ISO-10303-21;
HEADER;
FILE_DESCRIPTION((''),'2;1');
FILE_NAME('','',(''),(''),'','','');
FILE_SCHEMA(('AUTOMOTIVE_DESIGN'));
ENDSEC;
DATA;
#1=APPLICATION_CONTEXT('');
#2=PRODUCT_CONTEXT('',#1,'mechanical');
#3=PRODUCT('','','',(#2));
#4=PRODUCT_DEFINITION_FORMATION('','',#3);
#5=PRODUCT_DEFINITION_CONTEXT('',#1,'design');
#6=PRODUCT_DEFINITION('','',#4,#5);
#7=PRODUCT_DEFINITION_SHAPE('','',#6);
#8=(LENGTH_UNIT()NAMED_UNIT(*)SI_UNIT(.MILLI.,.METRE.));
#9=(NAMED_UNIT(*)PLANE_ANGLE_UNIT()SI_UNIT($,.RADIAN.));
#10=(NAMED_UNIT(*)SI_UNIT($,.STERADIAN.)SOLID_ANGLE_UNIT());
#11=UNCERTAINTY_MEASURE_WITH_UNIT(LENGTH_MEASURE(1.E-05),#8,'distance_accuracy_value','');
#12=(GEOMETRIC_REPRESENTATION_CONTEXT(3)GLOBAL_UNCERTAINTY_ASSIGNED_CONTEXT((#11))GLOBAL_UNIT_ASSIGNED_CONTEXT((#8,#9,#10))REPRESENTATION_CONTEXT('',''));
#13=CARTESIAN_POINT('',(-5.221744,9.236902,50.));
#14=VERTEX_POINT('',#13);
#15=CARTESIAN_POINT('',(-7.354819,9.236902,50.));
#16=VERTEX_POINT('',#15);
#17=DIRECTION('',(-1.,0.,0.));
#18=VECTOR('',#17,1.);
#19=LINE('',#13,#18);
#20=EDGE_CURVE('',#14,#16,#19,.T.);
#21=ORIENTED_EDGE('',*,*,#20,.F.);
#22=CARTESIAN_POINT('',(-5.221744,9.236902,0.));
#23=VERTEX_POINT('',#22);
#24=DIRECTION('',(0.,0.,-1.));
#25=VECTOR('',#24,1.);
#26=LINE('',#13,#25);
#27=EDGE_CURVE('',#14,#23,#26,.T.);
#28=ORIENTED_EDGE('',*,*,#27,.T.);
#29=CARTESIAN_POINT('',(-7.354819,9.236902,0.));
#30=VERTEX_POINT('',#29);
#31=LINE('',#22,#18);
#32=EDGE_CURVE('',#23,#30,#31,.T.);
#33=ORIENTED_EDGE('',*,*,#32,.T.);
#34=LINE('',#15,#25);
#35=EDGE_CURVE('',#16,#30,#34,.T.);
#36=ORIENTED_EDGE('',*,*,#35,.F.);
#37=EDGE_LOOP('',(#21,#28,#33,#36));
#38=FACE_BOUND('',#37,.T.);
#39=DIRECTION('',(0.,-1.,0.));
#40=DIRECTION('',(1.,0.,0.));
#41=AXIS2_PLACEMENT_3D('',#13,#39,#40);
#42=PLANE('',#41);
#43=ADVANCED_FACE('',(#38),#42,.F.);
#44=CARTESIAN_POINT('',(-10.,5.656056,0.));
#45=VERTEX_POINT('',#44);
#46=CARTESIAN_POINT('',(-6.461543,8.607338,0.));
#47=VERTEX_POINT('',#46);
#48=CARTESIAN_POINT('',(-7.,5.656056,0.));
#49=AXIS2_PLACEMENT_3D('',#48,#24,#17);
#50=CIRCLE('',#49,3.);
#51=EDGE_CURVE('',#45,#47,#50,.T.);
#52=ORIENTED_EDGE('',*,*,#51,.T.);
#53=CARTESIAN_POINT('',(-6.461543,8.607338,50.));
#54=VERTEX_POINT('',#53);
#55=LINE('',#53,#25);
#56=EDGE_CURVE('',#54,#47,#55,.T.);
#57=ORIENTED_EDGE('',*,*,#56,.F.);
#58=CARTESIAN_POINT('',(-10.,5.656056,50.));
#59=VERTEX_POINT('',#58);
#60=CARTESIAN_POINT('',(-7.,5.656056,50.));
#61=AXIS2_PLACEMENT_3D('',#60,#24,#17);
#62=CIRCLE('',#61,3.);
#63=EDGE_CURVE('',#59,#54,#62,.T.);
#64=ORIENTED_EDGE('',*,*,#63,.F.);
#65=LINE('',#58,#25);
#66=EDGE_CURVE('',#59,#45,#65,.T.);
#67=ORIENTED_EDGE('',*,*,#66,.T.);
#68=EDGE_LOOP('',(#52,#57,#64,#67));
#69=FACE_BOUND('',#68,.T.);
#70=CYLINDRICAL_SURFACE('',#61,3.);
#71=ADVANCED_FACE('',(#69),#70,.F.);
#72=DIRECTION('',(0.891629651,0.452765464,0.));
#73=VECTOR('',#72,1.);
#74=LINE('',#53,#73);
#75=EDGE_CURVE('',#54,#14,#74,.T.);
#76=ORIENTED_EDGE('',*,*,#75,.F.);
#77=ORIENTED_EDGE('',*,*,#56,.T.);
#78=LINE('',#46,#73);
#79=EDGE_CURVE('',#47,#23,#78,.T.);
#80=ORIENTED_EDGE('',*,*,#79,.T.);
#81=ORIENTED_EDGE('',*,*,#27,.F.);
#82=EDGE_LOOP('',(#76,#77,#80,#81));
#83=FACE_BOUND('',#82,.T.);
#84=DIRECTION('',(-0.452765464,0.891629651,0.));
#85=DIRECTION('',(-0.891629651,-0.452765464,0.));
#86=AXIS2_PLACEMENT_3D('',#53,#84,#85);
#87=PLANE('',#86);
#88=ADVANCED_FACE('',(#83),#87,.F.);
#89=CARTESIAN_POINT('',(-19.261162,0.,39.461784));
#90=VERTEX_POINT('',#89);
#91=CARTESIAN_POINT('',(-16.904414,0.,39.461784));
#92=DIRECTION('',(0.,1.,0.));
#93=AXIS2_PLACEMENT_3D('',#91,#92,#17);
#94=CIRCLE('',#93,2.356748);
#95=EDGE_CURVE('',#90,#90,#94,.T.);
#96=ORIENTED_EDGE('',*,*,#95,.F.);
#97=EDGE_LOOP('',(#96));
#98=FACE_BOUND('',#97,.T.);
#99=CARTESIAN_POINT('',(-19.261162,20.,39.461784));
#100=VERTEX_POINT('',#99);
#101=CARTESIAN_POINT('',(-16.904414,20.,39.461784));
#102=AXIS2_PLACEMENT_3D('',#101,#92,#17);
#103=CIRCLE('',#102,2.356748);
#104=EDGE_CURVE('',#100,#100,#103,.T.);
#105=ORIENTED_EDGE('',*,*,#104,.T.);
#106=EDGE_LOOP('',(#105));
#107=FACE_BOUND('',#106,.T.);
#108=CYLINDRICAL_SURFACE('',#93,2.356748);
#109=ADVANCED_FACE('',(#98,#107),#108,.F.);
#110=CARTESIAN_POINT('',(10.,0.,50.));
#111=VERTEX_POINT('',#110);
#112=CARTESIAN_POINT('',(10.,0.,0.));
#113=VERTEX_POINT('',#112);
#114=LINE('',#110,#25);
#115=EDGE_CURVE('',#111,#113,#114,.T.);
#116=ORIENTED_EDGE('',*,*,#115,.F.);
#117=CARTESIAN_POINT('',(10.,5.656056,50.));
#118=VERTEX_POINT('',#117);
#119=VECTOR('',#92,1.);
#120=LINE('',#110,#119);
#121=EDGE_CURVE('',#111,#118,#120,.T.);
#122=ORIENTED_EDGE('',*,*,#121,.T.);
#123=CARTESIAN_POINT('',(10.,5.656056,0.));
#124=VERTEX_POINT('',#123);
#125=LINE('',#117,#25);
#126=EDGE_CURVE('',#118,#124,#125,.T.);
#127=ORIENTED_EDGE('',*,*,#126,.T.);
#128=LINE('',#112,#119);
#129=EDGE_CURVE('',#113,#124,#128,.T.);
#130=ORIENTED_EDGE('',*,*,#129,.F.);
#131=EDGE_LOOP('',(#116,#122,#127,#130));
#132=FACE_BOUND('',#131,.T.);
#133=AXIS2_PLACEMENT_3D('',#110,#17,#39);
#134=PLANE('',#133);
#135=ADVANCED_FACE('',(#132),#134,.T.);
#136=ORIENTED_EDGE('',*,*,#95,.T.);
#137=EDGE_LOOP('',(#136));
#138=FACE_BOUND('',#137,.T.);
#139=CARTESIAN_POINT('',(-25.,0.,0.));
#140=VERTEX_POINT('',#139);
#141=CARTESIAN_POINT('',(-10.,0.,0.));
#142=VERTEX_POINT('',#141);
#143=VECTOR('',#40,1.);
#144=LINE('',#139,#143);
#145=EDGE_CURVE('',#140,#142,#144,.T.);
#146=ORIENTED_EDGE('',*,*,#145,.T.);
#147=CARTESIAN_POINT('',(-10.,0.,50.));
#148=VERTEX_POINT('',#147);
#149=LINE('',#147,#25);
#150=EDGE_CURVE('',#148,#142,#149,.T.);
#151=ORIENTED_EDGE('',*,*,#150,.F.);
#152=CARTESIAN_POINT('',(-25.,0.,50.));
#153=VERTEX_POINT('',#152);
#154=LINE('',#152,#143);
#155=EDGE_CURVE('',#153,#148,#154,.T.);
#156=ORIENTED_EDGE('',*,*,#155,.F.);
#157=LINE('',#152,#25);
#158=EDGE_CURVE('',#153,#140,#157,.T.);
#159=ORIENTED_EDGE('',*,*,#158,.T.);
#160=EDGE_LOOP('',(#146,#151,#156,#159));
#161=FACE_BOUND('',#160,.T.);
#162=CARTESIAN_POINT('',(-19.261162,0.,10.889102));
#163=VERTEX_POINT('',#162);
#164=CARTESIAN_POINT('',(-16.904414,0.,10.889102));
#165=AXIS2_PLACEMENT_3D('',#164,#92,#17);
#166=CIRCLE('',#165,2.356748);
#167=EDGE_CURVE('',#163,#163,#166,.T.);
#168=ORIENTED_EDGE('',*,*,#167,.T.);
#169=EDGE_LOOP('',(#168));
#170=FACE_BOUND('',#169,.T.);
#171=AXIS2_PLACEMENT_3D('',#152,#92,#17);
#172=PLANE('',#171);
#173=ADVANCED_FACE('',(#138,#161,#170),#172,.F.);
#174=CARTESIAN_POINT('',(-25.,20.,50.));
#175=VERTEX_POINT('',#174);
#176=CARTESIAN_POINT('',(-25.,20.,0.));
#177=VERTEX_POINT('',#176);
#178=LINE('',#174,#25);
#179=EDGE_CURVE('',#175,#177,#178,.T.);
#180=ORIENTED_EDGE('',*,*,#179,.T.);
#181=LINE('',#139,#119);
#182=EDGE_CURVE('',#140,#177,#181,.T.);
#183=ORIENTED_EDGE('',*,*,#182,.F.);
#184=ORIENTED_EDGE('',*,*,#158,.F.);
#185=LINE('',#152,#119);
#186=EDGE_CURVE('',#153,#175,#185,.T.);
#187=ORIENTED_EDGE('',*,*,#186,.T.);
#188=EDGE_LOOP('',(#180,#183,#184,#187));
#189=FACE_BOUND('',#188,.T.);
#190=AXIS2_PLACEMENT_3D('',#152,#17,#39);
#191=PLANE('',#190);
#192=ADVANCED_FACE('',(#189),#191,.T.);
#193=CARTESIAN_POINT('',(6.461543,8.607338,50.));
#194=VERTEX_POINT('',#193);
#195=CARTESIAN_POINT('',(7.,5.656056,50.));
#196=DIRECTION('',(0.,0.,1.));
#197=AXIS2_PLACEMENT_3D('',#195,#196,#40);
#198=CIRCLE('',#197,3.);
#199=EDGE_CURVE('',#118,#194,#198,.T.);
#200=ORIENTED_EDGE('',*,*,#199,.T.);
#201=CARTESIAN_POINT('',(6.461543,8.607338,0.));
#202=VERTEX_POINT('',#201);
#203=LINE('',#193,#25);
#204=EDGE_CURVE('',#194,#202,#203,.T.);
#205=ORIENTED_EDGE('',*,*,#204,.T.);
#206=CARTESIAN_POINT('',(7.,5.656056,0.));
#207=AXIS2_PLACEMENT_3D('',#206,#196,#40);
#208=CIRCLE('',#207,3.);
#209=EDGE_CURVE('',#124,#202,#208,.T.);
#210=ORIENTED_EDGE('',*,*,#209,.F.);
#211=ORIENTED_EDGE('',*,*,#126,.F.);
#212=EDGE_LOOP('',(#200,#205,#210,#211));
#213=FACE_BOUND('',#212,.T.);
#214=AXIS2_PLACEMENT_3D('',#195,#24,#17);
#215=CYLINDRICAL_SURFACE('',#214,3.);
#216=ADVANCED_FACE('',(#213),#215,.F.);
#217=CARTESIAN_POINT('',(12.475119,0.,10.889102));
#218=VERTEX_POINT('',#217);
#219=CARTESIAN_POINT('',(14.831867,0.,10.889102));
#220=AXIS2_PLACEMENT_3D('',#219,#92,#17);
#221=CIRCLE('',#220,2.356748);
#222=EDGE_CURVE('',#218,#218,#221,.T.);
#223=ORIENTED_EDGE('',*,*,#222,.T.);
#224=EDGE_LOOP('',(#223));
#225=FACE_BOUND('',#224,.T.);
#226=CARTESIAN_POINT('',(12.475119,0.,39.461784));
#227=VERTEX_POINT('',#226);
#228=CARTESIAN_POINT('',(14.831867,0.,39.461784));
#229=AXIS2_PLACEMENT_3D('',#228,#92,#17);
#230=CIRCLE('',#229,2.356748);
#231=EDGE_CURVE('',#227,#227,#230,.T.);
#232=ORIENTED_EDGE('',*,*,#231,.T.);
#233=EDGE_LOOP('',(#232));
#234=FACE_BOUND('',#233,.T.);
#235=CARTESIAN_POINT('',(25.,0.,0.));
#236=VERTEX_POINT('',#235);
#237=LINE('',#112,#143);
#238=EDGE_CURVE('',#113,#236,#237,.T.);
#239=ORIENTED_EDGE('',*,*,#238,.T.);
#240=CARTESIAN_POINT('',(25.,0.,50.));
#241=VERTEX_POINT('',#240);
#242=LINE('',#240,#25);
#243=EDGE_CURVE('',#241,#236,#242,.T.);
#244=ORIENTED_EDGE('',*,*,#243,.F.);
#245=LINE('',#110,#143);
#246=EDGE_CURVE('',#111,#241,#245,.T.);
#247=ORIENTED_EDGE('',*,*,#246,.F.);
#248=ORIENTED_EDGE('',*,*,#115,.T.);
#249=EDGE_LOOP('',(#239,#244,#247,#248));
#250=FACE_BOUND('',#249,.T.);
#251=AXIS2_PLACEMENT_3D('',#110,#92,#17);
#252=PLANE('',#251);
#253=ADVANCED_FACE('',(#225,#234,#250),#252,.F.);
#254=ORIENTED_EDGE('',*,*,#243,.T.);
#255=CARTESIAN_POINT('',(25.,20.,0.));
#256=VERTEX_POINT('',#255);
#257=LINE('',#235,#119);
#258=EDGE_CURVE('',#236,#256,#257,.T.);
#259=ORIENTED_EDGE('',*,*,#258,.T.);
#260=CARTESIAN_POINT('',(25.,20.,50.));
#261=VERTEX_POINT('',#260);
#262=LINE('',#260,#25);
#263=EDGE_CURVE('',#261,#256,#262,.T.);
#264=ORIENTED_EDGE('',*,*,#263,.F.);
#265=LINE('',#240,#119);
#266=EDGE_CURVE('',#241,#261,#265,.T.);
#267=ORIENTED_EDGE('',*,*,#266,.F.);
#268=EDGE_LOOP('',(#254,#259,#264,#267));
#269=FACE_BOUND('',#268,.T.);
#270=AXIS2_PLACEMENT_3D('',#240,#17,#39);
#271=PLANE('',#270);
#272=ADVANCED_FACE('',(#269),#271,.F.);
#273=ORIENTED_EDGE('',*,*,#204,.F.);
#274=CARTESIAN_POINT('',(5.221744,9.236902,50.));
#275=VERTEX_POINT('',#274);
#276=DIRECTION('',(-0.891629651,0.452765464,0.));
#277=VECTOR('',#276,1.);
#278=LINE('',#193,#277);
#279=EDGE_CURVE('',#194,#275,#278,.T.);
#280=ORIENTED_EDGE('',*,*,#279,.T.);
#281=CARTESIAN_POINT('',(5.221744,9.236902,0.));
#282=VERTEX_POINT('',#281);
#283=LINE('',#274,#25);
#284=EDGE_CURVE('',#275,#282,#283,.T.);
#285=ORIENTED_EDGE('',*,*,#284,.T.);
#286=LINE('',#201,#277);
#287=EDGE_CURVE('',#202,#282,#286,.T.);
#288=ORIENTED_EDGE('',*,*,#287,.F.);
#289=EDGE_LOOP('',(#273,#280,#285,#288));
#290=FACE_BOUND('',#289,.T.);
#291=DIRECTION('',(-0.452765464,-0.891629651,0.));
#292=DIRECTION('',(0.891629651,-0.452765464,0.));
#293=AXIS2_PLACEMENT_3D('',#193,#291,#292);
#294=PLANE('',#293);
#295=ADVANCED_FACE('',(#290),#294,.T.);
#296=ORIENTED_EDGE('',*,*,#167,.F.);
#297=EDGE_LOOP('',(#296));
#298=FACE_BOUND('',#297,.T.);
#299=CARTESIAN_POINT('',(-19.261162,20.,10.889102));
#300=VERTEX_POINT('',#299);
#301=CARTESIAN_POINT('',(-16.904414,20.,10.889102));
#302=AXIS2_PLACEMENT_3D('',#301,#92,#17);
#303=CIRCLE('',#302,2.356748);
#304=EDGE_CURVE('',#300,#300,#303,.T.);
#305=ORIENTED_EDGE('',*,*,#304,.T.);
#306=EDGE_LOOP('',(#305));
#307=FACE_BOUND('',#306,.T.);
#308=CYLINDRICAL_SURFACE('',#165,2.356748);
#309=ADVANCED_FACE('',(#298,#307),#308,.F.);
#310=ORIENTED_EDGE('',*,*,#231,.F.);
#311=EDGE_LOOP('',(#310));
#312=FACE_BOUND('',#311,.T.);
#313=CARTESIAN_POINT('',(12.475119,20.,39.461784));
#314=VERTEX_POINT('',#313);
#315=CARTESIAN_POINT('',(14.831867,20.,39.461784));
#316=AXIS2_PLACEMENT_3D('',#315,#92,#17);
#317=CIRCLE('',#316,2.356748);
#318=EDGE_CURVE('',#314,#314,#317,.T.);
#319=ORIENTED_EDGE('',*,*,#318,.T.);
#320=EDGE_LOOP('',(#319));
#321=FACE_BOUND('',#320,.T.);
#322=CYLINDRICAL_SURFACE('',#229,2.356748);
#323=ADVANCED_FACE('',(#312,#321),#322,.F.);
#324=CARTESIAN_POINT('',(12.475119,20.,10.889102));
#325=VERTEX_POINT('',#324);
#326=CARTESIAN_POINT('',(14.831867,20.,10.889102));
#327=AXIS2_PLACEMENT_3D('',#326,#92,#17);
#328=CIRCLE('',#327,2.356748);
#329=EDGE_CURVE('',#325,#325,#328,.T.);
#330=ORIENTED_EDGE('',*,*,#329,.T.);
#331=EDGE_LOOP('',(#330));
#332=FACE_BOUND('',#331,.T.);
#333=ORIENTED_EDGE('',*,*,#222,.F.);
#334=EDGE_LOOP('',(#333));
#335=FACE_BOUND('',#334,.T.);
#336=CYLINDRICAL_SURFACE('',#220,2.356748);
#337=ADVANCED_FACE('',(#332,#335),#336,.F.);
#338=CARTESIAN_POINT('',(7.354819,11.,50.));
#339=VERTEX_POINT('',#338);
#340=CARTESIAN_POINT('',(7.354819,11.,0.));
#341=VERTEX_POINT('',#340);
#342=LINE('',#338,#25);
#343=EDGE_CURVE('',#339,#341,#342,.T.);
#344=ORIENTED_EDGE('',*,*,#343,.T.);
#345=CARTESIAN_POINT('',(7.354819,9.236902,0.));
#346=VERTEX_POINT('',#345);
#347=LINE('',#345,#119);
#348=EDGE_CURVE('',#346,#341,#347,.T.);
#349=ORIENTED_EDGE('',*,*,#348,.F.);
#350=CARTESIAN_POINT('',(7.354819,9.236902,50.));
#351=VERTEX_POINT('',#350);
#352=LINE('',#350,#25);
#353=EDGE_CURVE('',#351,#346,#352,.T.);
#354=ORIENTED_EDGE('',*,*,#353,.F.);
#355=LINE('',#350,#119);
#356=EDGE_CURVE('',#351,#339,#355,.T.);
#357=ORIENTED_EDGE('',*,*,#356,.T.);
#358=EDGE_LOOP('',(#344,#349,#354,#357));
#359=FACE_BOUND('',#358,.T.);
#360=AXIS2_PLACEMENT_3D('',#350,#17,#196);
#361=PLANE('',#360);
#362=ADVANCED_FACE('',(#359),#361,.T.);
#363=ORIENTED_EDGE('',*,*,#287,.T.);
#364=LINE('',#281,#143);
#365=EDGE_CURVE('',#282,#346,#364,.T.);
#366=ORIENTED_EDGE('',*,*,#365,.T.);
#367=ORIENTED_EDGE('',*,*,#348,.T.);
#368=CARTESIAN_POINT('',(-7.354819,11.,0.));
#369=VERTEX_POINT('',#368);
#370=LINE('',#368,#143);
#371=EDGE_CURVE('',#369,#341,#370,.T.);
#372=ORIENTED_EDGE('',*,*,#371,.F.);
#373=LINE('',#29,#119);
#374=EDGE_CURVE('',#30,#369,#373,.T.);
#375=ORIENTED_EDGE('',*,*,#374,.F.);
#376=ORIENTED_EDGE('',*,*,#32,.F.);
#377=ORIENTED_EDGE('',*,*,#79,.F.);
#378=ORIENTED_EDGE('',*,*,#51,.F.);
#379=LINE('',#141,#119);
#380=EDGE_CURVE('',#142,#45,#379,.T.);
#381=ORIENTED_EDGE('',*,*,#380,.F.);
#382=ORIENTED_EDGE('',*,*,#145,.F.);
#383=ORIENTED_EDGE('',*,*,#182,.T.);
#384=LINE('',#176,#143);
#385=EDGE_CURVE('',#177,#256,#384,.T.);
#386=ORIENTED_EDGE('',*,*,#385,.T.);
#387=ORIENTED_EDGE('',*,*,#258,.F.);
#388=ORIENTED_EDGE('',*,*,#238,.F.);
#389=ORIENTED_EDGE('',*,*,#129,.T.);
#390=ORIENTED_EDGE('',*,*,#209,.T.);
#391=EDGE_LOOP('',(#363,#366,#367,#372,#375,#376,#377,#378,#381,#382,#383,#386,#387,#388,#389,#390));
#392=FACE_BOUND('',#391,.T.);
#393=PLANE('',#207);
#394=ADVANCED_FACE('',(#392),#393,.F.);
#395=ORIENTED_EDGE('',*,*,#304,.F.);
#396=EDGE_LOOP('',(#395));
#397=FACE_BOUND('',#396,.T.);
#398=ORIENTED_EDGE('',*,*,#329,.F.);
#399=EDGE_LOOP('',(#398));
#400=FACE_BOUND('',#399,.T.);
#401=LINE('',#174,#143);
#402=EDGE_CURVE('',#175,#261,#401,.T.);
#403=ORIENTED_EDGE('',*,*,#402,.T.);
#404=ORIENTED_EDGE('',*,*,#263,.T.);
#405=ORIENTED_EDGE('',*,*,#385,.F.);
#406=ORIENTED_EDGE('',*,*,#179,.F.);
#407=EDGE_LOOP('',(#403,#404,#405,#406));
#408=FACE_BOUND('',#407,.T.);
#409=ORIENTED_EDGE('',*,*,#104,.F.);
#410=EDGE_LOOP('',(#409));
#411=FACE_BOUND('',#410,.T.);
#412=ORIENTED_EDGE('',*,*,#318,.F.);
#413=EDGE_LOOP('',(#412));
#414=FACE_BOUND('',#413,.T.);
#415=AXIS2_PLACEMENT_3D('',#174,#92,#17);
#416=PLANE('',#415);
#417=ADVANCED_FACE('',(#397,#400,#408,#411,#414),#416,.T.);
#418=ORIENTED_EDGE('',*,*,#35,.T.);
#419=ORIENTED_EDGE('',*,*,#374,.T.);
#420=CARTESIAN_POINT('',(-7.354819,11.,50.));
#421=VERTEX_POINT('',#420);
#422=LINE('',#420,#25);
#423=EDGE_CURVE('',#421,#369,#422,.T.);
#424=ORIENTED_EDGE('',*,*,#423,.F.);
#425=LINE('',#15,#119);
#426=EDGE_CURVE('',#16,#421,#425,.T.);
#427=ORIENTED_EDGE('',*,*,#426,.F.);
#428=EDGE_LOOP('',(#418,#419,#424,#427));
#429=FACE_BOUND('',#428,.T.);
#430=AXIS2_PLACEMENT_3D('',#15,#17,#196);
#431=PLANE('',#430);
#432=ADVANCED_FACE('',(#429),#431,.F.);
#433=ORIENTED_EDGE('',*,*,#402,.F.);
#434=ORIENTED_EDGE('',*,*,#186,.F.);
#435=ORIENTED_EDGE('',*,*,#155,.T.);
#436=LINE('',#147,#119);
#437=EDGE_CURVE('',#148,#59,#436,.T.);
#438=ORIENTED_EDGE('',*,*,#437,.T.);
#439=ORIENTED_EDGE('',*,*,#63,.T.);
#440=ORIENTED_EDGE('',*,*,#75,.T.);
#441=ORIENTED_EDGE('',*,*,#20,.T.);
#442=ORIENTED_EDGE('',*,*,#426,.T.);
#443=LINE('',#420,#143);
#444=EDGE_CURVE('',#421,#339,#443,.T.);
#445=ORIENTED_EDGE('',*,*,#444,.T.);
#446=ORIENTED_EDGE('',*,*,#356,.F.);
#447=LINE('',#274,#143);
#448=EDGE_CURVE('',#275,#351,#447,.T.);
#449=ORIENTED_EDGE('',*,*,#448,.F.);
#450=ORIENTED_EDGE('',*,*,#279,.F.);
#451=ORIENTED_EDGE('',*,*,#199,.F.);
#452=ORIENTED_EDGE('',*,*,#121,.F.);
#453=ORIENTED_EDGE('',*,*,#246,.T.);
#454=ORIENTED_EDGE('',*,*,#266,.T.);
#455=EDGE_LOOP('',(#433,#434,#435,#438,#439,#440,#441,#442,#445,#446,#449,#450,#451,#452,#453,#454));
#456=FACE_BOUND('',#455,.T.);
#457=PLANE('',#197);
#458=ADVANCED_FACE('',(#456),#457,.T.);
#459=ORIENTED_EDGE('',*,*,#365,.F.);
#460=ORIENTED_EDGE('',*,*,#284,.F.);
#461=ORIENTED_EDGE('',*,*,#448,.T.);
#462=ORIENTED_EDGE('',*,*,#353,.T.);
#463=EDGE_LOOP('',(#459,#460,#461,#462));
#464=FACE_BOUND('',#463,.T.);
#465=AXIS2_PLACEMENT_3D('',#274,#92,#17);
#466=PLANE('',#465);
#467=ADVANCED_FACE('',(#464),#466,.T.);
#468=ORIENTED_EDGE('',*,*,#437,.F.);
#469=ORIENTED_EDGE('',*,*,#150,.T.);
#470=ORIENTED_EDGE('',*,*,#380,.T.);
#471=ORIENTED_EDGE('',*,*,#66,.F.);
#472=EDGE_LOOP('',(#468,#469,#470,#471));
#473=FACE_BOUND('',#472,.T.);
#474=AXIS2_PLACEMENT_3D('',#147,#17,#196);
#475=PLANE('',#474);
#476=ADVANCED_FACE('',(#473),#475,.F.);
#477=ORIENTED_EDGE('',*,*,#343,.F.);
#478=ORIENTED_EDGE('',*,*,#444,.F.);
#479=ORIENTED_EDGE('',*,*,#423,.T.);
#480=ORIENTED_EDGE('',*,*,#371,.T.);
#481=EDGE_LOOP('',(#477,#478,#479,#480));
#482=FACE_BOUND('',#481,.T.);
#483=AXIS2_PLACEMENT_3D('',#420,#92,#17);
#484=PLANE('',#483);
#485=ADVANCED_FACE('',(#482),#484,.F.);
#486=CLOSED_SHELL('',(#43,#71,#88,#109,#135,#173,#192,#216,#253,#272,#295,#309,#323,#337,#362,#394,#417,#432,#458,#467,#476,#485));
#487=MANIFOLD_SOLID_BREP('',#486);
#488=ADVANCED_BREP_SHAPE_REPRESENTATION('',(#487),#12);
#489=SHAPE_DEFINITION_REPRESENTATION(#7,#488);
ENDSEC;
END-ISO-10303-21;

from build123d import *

# Parameters (mm, degrees)
SALIENTE_EXTRUIR1_DEPTH = 50
CROQUIS2_R              = 2.35674785
CORTAR_EXTRUIR1_DEPTH   = 20


with BuildPart() as part:
    # Croquis1 → Saliente-Extruir1 (new body)
    with BuildSketch(Plane.XY):
        with BuildLine():
            Line((-10, 0), (-10, 5.656056356))
            ThreePointArc((-10, 5.656056356), (-8.921539569, 7.959897862), (-6.461542876, 8.607338099))
            Line((-6.461542876, 8.607338099), (-5.221744043, 9.236902282))
            Line((-5.221744043, 9.236902282), (-7.354818693, 9.236902282))
            Line((-7.354818693, 9.236902282), (-7.354818693, 11))
            Line((-7.354818693, 11), (7.354818693, 11))
            Line((7.354818693, 11), (7.354818693, 9.236902282))
            Line((7.354818693, 9.236902282), (5.221744043, 9.236902282))
            Line((5.221744043, 9.236902282), (6.461542876, 8.607338099))
            ThreePointArc((6.461542876, 8.607338099), (8.921539569, 7.959897862), (10, 5.656056356))
            Line((10, 5.656056356), (10, 0))
            Line((10, 0), (25, 0))
            Line((25, 0), (25, 20))
            Line((25, 20), (-25, 20))
            Line((-25, 20), (-25, 0))
            Line((-25, 0), (-10, 0))
        make_face()
    extrude(amount=SALIENTE_EXTRUIR1_DEPTH)

    # Croquis2 → Cortar-Extruir1 (cut)
    with BuildSketch(Plane(origin=(0, 20, 0), x_dir=(1, 0, 0), z_dir=(0, 1, 0))):
        with Locations((14.831866676, -10.889102432)):
            Circle(CROQUIS2_R)
        with Locations((14.831866676, -39.461784116)):
            Circle(CROQUIS2_R)
        with Locations((-16.904414288, -39.461784116)):
            Circle(CROQUIS2_R)
        with Locations((-16.904414288, -10.889102432)):
            Circle(CROQUIS2_R)
    extrude(amount=-CORTAR_EXTRUIR1_DEPTH, mode=Mode.SUBTRACT)


solid = part.part
